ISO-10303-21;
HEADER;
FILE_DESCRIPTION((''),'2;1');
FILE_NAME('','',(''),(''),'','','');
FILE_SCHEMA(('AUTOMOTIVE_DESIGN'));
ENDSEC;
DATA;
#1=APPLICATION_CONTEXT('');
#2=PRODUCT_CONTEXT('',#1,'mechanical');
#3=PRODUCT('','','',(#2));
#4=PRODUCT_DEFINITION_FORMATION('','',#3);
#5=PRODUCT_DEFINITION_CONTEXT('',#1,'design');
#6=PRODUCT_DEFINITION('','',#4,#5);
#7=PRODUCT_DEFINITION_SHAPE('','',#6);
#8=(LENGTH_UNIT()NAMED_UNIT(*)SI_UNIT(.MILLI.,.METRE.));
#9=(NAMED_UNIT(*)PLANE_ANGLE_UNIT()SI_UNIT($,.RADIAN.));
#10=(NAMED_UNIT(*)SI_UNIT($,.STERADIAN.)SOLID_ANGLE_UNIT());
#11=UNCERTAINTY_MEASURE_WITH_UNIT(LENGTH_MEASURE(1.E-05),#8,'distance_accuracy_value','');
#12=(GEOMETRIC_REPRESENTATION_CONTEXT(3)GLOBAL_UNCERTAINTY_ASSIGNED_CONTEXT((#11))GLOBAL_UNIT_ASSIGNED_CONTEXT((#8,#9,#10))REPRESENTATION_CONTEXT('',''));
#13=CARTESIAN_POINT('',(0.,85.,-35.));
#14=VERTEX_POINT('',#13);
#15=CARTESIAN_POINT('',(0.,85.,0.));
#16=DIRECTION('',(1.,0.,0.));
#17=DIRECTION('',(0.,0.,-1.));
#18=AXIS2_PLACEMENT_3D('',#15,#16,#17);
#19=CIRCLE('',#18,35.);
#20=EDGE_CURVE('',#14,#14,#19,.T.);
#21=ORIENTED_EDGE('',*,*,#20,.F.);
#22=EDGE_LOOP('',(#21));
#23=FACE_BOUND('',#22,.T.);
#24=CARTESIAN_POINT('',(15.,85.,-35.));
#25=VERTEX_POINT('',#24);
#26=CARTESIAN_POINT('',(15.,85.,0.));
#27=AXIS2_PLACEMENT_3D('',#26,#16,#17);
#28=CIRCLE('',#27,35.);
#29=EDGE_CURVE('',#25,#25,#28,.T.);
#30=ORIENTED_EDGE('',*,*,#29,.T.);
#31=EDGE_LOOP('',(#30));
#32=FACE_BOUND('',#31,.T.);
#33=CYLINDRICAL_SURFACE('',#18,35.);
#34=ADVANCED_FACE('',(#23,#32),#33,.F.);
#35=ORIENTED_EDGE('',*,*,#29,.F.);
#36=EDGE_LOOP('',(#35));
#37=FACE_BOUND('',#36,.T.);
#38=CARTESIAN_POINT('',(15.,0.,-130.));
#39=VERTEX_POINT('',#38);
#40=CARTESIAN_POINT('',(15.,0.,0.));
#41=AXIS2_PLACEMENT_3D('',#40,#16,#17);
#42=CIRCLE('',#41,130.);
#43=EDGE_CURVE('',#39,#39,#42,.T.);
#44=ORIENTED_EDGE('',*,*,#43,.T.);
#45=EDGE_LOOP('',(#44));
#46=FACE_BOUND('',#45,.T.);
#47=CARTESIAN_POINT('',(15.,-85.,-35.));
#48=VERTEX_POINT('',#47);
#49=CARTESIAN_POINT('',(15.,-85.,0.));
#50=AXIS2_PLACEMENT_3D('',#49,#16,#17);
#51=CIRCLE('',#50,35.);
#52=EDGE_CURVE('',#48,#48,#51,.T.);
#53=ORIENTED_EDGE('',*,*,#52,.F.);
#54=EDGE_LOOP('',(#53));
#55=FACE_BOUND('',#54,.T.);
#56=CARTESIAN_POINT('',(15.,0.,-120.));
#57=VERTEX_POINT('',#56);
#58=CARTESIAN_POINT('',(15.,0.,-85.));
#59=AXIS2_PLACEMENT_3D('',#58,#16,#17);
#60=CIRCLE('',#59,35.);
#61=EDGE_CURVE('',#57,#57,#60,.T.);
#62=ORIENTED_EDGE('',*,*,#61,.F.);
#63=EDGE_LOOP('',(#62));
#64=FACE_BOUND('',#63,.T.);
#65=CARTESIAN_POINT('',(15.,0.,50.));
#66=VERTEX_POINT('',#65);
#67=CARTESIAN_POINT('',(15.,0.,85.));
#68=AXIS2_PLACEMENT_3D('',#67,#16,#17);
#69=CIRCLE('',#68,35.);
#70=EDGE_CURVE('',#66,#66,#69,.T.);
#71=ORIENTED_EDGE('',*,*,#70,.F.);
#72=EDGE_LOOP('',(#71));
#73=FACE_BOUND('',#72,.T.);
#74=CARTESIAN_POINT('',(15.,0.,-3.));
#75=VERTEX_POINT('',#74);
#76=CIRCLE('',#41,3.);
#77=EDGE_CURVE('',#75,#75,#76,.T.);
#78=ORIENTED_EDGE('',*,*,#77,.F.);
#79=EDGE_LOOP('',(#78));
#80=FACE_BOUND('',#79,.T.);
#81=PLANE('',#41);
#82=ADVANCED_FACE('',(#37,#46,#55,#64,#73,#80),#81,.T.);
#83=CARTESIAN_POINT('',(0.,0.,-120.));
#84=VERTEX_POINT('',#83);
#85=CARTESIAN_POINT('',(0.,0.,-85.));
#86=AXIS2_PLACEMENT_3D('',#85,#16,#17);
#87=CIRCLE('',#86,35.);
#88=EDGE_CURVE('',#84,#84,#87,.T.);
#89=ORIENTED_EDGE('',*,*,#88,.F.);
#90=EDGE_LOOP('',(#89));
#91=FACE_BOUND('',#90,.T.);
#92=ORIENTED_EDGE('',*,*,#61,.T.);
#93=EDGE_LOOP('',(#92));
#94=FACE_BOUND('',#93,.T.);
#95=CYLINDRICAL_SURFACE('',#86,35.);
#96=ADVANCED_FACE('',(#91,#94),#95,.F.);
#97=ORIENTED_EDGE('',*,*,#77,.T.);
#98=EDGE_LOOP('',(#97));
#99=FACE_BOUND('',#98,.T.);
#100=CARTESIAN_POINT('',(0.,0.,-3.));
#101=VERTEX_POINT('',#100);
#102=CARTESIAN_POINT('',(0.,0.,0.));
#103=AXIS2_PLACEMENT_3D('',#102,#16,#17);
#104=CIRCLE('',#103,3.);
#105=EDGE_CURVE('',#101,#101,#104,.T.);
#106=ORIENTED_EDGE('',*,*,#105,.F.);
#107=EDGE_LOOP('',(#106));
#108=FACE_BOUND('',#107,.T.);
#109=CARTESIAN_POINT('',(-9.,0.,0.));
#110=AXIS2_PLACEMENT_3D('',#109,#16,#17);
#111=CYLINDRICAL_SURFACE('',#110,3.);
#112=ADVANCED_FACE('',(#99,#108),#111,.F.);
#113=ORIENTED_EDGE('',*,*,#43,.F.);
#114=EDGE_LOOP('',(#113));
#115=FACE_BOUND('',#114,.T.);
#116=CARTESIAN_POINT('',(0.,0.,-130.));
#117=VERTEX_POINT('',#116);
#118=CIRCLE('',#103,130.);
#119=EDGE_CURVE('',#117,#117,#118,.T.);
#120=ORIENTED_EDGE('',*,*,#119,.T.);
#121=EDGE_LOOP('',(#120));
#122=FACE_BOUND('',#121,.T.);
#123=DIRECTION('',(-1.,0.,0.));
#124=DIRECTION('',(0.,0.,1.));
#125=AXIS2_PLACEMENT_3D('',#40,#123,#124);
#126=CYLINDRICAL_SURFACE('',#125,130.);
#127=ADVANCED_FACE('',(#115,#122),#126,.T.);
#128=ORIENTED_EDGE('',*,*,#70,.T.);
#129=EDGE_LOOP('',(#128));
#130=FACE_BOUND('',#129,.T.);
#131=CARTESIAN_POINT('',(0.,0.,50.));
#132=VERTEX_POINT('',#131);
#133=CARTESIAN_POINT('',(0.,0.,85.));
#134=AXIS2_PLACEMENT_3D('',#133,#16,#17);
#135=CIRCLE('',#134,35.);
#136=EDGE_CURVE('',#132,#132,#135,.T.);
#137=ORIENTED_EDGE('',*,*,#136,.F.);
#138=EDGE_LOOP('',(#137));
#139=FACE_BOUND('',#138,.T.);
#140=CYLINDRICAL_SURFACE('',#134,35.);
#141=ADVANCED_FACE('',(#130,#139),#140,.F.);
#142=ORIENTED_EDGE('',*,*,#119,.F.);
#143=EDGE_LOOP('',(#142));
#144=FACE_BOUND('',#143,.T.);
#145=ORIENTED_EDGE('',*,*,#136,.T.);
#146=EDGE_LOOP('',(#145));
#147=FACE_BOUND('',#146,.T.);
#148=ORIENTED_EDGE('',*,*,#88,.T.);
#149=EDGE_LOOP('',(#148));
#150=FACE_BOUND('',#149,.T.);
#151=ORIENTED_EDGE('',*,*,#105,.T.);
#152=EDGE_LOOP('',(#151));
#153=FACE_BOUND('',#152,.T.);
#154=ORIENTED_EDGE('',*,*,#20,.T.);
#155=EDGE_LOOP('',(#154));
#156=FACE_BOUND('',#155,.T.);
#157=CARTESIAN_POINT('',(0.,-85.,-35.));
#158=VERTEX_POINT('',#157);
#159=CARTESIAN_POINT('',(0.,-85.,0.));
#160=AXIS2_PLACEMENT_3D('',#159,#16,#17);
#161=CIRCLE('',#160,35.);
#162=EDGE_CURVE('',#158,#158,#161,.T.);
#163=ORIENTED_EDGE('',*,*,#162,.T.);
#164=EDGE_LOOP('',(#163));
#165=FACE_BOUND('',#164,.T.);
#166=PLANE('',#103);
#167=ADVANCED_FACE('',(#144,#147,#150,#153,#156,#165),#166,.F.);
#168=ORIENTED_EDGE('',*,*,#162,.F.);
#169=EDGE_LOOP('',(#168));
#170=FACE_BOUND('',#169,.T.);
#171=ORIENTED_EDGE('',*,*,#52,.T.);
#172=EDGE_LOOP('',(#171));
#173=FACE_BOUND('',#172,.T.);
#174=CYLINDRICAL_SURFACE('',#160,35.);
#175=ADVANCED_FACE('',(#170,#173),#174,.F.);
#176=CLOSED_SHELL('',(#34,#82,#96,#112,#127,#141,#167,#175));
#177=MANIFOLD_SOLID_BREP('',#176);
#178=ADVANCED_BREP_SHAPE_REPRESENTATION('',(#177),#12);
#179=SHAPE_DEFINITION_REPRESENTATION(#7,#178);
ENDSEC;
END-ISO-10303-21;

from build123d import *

# Parameters (mm, degrees)
ESQUISSE2_R             = 130
BOSS_EXTRU_1_DEPTH      = 15
ESQUISSE3_R             = 35
ENL_V_MAT_EXTRU_1_DEPTH = 15
ESQUISSE4_R             = 3
ENL_V_MAT_EXTRU_3_DEPTH = 24


with BuildPart() as part:
    # Esquisse2 → Boss.-Extru.1 (new body)
    with BuildSketch(Plane(origin=(0, 0, 0), x_dir=(0, 0, -1), z_dir=(1, 0, 0))):
        Circle(ESQUISSE2_R)
    extrude(amount=BOSS_EXTRU_1_DEPTH)

    # Esquisse3 → Enlèv. mat.-Extru.1 (cut)
    with BuildSketch(Plane(origin=(15, 0, 0), x_dir=(0, 0, -1), z_dir=(1, 0, 0))):
        with Locations((0, 85)):
            Circle(ESQUISSE3_R)
        with Locations((85, 0)):
            Circle(ESQUISSE3_R)
        with Locations((0, -85)):
            Circle(ESQUISSE3_R)
        with Locations((-85, 0)):
            Circle(ESQUISSE3_R)
    extrude(amount=-ENL_V_MAT_EXTRU_1_DEPTH, mode=Mode.SUBTRACT)

    # Esquisse4 → Enlèv. mat.-Extru.3 (cut)
    with BuildSketch(Plane(origin=(15, 0, 0), x_dir=(0, 0, -1), z_dir=(1, 0, 0))):
        Circle(ESQUISSE4_R)
    extrude(amount=-ENL_V_MAT_EXTRU_3_DEPTH, mode=Mode.SUBTRACT)


solid = part.part
